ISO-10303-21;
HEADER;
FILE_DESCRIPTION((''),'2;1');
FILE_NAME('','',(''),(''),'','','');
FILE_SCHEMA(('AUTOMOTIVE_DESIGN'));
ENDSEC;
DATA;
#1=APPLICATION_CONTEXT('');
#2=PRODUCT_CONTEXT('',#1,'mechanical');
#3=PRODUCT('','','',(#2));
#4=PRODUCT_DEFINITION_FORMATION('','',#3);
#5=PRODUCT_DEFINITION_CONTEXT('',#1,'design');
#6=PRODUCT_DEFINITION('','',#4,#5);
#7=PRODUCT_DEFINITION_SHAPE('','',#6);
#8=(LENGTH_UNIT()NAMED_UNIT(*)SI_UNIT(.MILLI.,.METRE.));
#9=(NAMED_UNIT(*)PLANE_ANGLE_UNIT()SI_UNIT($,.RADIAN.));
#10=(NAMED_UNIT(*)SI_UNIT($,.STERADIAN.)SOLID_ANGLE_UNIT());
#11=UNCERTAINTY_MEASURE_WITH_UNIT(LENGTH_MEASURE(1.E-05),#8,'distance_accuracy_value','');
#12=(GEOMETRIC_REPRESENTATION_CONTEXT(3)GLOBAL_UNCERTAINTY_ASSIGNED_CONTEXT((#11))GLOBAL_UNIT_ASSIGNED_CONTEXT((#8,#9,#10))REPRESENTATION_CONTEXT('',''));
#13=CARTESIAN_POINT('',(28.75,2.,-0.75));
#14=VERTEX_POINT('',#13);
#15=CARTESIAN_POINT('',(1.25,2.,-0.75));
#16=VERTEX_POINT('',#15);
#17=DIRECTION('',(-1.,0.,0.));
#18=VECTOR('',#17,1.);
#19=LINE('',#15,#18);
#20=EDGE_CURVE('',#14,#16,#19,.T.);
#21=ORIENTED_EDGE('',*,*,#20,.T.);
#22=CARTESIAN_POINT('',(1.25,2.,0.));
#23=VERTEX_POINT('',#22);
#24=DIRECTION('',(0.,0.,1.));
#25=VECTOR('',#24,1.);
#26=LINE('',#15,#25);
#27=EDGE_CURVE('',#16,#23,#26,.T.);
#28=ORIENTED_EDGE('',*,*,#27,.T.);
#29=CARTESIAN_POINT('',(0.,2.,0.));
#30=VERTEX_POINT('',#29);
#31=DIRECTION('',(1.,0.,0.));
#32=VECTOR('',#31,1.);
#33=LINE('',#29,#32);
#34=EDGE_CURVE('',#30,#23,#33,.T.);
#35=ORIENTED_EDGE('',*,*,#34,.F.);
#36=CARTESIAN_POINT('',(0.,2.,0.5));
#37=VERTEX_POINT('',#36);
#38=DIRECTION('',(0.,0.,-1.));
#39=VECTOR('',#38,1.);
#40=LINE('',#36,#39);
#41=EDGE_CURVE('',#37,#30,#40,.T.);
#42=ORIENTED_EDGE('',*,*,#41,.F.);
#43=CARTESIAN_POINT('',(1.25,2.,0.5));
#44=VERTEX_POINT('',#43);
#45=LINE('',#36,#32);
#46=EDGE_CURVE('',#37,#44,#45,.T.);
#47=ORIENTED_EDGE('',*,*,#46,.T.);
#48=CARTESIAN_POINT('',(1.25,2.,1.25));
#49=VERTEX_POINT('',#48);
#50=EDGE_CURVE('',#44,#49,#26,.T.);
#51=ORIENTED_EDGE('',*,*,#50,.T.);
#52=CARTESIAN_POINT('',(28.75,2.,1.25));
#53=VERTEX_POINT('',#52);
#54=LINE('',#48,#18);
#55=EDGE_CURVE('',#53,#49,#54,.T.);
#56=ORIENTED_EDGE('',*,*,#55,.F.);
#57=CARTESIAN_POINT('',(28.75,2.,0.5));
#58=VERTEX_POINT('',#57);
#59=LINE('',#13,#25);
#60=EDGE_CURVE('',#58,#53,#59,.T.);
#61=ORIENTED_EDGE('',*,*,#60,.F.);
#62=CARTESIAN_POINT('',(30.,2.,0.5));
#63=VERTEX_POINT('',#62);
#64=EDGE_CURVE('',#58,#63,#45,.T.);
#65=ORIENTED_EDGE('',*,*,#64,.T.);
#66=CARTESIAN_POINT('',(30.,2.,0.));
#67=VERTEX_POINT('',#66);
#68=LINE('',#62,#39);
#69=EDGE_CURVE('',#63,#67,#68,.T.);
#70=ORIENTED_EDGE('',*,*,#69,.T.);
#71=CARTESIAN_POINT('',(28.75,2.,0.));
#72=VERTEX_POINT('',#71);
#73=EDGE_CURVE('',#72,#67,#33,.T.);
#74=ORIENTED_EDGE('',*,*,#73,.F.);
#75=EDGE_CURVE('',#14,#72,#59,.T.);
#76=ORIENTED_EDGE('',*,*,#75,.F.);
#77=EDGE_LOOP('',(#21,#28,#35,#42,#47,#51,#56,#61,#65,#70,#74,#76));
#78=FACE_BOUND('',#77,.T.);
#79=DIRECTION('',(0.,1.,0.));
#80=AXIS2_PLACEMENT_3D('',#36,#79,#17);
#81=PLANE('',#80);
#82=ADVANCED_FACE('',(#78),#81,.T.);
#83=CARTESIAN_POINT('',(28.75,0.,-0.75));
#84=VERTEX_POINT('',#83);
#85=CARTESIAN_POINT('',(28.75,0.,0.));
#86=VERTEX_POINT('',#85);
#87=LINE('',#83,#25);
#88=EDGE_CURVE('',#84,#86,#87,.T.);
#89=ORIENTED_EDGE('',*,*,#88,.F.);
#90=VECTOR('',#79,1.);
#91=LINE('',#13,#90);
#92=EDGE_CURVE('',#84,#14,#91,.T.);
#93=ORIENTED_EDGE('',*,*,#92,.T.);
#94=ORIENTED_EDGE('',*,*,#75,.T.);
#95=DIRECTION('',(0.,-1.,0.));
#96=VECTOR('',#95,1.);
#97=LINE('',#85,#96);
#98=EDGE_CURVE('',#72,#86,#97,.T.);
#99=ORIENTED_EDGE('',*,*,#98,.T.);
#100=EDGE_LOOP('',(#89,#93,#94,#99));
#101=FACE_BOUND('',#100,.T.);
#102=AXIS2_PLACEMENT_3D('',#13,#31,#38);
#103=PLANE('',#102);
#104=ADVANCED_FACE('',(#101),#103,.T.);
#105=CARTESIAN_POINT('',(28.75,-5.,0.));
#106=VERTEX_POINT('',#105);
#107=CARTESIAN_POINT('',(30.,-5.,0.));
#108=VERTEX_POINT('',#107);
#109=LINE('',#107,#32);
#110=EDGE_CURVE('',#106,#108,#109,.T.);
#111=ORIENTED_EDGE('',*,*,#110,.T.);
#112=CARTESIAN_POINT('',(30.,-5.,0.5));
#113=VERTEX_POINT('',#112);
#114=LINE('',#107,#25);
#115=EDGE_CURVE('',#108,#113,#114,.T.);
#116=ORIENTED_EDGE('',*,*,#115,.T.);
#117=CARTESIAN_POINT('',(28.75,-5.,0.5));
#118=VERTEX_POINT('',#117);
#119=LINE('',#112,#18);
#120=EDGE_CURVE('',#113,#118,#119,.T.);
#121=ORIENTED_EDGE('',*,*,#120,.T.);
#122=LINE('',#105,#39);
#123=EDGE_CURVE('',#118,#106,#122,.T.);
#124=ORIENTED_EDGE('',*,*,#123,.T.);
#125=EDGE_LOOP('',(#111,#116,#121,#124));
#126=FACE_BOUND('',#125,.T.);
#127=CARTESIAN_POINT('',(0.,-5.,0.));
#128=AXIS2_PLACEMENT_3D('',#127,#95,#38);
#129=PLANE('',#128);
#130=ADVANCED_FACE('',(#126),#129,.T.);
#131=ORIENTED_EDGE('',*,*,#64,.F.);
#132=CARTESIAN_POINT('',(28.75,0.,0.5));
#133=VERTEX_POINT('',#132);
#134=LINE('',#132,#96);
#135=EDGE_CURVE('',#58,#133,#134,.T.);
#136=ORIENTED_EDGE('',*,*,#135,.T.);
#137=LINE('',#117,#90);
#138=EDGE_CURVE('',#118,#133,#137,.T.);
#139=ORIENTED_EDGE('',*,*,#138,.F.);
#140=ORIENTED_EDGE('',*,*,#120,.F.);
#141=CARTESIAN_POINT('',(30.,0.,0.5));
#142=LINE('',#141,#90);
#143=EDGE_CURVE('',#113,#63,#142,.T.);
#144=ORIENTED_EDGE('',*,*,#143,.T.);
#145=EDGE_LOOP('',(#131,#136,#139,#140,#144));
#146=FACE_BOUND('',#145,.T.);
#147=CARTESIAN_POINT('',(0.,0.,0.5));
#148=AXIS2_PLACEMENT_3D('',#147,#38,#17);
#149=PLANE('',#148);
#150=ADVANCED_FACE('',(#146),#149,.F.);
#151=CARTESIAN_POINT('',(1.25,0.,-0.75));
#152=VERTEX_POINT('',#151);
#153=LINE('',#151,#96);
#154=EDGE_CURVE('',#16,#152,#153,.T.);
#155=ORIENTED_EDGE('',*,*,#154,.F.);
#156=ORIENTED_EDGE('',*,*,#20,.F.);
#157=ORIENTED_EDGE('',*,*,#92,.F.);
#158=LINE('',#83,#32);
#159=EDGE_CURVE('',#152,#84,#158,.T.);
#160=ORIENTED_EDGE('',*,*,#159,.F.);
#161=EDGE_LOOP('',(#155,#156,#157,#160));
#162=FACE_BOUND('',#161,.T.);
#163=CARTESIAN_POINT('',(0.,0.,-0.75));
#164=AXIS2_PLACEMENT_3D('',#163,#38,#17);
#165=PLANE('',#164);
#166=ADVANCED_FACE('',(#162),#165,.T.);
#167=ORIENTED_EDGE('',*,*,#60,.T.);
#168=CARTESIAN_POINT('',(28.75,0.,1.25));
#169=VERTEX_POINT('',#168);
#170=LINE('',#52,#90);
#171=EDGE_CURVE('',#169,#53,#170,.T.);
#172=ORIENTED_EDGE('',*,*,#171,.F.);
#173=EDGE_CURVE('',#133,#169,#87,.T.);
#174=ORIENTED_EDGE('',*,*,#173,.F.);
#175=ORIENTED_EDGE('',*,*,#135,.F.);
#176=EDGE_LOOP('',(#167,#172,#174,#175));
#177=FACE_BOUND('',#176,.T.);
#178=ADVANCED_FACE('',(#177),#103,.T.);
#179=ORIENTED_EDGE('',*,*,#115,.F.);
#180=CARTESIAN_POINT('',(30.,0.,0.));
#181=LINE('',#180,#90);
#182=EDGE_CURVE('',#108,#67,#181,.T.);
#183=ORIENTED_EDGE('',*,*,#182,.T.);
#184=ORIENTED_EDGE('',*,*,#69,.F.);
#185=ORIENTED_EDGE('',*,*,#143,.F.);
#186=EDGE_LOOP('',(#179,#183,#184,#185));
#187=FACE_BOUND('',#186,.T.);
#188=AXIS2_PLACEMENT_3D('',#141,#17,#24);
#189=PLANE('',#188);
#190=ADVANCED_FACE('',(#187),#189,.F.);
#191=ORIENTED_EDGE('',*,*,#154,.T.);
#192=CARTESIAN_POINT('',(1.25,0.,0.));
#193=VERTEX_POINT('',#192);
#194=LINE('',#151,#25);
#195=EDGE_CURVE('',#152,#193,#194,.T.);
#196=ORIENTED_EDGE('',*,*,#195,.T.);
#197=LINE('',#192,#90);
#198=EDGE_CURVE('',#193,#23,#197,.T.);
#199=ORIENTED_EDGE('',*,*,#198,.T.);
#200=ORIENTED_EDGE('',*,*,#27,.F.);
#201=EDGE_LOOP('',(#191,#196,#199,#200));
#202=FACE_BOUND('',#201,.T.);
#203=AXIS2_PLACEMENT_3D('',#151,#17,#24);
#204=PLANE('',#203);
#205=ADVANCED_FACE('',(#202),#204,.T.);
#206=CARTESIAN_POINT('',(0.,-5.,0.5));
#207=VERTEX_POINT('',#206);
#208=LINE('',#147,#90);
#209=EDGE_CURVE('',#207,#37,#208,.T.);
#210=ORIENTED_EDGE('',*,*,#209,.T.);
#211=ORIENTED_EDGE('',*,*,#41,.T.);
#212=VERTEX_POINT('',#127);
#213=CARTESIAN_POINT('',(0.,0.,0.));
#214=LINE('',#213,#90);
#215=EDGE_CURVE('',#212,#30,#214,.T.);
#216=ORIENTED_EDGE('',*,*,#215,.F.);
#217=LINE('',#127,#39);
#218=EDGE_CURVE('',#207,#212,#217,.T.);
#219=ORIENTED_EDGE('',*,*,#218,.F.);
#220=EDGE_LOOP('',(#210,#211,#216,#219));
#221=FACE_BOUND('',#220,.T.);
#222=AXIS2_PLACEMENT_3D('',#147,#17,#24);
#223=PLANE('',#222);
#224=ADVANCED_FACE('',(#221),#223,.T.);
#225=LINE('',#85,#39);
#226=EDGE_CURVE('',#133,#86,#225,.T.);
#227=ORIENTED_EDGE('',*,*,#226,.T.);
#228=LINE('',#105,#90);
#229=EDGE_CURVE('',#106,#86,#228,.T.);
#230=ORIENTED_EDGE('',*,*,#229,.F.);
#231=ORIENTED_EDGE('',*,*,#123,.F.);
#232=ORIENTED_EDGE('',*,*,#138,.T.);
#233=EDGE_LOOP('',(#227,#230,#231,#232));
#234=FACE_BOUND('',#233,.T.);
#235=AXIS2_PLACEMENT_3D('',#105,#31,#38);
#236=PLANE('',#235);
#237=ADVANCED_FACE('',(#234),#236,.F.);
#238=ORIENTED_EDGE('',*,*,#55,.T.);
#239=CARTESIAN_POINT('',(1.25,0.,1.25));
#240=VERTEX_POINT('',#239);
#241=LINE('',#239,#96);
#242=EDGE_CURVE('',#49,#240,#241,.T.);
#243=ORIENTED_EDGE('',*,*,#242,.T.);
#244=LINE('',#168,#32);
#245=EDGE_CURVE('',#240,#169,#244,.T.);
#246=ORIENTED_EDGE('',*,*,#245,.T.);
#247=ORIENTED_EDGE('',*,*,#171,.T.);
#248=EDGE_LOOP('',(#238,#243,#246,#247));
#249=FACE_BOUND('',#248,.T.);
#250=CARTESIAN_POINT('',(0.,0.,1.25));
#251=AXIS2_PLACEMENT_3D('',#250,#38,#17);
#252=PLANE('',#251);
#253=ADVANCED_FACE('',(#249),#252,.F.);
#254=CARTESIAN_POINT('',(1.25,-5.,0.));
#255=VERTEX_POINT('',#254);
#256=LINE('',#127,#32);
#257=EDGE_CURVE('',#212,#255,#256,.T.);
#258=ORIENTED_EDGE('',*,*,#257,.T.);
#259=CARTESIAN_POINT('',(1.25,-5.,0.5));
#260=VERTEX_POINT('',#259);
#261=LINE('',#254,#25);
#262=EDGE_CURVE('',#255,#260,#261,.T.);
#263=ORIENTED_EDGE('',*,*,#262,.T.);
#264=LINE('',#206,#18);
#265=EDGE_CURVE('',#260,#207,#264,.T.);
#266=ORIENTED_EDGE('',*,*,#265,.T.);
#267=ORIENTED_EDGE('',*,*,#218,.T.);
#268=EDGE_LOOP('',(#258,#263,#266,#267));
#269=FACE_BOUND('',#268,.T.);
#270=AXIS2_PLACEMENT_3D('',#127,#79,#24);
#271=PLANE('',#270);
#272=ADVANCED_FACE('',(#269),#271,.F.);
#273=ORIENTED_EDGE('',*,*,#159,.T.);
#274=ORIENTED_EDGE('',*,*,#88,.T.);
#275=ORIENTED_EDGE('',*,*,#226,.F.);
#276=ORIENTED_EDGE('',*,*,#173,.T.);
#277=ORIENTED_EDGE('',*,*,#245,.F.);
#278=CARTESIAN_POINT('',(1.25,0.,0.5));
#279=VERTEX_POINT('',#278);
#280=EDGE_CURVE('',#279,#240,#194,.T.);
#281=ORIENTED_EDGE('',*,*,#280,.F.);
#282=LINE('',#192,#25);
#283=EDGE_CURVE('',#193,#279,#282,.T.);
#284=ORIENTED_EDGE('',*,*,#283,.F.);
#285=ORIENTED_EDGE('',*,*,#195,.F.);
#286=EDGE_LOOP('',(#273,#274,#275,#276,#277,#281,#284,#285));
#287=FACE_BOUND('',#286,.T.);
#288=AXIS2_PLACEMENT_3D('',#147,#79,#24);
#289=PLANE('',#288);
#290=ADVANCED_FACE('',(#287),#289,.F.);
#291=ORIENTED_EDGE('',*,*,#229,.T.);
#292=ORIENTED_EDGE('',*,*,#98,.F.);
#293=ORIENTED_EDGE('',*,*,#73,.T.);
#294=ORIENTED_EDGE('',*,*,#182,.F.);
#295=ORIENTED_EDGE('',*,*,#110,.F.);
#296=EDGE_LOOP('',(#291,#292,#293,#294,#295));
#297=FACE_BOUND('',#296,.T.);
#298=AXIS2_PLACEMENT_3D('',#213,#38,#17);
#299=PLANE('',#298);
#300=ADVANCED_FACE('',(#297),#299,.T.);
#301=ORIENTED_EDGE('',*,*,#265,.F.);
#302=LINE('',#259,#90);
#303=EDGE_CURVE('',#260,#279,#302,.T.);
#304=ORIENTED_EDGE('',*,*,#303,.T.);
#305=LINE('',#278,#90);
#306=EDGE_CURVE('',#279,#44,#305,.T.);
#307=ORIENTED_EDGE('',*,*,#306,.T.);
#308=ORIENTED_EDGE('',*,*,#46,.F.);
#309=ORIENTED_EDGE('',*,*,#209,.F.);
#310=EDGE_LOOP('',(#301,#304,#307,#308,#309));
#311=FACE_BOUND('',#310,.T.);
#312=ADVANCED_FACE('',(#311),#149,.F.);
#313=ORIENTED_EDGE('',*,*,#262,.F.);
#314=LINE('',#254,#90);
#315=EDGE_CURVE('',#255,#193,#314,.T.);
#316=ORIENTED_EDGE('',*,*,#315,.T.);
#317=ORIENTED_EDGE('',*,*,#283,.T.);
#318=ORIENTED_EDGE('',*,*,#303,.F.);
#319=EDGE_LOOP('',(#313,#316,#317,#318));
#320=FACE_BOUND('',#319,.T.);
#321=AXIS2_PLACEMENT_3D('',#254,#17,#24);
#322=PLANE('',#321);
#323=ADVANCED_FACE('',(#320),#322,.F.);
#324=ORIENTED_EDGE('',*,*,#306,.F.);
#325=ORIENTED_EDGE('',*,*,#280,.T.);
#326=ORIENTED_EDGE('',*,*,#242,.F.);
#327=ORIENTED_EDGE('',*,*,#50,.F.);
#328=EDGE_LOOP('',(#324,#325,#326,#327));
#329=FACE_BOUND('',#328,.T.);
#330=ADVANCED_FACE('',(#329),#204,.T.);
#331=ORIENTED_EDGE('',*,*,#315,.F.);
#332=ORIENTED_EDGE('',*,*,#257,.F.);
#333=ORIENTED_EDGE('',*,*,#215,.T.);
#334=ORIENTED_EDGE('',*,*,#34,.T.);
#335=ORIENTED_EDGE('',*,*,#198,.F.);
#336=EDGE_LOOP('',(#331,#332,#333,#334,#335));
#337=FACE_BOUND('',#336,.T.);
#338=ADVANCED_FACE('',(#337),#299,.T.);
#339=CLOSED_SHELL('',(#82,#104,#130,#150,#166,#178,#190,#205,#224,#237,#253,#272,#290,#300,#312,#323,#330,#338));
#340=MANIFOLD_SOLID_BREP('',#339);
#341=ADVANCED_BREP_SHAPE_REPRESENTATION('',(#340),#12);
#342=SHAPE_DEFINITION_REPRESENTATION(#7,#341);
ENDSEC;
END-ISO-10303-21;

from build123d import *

# Parameters (mm, degrees)
SKETCH1_W                = 30
SKETCH1_H                = 2
BOSS_EXTRUDE2_DEPTH      = 0.5
SKETCH2_W                = 27.5
SKETCH2_H                = 2
BOSS_EXTRUDE4_DEPTH      = 0.75
BOSS_EXTRUDE4_DEPTH_BACK = 1.25
SKETCH3_W                = 1.25
SKETCH3_H                = 0.5
BOSS_EXTRUDE5_DEPTH      = 5
SKETCH4_W                = 1.25
SKETCH4_H                = 0.5
BOSS_EXTRUDE6_DEPTH      = 5


with BuildPart() as part:
    # Sketch1 → Boss-Extrude2 (new body)
    with BuildSketch(Plane.XY):
        with Locations((15, 1)):
            Rectangle(SKETCH1_W, SKETCH1_H)
    extrude(amount=BOSS_EXTRUDE2_DEPTH)

    # Sketch2 → Boss-Extrude4 (add, two sides)
    with BuildSketch(Plane.XY.offset(0.5)) as boss_extrude4_sk:
        with Locations((15, 1)):
            Rectangle(SKETCH2_W, SKETCH2_H)
    extrude(amount=BOSS_EXTRUDE4_DEPTH)
    extrude(boss_extrude4_sk.sketch, amount=-BOSS_EXTRUDE4_DEPTH_BACK)

    # Sketch3 → Boss-Extrude5 (add)
    with BuildSketch(Plane.XZ):
        with Locations((0.625, 0.25)):
            Rectangle(SKETCH3_W, SKETCH3_H)
    extrude(amount=BOSS_EXTRUDE5_DEPTH)

    # Sketch4 → Boss-Extrude6 (add)
    with BuildSketch(Plane(origin=(0, 0, 0), x_dir=(-1, 0, 0), z_dir=(0, -1, 0))):
        with Locations((-29.375, -0.25)):
            Rectangle(SKETCH4_W, SKETCH4_H)
    extrude(amount=BOSS_EXTRUDE6_DEPTH)


solid = part.part
